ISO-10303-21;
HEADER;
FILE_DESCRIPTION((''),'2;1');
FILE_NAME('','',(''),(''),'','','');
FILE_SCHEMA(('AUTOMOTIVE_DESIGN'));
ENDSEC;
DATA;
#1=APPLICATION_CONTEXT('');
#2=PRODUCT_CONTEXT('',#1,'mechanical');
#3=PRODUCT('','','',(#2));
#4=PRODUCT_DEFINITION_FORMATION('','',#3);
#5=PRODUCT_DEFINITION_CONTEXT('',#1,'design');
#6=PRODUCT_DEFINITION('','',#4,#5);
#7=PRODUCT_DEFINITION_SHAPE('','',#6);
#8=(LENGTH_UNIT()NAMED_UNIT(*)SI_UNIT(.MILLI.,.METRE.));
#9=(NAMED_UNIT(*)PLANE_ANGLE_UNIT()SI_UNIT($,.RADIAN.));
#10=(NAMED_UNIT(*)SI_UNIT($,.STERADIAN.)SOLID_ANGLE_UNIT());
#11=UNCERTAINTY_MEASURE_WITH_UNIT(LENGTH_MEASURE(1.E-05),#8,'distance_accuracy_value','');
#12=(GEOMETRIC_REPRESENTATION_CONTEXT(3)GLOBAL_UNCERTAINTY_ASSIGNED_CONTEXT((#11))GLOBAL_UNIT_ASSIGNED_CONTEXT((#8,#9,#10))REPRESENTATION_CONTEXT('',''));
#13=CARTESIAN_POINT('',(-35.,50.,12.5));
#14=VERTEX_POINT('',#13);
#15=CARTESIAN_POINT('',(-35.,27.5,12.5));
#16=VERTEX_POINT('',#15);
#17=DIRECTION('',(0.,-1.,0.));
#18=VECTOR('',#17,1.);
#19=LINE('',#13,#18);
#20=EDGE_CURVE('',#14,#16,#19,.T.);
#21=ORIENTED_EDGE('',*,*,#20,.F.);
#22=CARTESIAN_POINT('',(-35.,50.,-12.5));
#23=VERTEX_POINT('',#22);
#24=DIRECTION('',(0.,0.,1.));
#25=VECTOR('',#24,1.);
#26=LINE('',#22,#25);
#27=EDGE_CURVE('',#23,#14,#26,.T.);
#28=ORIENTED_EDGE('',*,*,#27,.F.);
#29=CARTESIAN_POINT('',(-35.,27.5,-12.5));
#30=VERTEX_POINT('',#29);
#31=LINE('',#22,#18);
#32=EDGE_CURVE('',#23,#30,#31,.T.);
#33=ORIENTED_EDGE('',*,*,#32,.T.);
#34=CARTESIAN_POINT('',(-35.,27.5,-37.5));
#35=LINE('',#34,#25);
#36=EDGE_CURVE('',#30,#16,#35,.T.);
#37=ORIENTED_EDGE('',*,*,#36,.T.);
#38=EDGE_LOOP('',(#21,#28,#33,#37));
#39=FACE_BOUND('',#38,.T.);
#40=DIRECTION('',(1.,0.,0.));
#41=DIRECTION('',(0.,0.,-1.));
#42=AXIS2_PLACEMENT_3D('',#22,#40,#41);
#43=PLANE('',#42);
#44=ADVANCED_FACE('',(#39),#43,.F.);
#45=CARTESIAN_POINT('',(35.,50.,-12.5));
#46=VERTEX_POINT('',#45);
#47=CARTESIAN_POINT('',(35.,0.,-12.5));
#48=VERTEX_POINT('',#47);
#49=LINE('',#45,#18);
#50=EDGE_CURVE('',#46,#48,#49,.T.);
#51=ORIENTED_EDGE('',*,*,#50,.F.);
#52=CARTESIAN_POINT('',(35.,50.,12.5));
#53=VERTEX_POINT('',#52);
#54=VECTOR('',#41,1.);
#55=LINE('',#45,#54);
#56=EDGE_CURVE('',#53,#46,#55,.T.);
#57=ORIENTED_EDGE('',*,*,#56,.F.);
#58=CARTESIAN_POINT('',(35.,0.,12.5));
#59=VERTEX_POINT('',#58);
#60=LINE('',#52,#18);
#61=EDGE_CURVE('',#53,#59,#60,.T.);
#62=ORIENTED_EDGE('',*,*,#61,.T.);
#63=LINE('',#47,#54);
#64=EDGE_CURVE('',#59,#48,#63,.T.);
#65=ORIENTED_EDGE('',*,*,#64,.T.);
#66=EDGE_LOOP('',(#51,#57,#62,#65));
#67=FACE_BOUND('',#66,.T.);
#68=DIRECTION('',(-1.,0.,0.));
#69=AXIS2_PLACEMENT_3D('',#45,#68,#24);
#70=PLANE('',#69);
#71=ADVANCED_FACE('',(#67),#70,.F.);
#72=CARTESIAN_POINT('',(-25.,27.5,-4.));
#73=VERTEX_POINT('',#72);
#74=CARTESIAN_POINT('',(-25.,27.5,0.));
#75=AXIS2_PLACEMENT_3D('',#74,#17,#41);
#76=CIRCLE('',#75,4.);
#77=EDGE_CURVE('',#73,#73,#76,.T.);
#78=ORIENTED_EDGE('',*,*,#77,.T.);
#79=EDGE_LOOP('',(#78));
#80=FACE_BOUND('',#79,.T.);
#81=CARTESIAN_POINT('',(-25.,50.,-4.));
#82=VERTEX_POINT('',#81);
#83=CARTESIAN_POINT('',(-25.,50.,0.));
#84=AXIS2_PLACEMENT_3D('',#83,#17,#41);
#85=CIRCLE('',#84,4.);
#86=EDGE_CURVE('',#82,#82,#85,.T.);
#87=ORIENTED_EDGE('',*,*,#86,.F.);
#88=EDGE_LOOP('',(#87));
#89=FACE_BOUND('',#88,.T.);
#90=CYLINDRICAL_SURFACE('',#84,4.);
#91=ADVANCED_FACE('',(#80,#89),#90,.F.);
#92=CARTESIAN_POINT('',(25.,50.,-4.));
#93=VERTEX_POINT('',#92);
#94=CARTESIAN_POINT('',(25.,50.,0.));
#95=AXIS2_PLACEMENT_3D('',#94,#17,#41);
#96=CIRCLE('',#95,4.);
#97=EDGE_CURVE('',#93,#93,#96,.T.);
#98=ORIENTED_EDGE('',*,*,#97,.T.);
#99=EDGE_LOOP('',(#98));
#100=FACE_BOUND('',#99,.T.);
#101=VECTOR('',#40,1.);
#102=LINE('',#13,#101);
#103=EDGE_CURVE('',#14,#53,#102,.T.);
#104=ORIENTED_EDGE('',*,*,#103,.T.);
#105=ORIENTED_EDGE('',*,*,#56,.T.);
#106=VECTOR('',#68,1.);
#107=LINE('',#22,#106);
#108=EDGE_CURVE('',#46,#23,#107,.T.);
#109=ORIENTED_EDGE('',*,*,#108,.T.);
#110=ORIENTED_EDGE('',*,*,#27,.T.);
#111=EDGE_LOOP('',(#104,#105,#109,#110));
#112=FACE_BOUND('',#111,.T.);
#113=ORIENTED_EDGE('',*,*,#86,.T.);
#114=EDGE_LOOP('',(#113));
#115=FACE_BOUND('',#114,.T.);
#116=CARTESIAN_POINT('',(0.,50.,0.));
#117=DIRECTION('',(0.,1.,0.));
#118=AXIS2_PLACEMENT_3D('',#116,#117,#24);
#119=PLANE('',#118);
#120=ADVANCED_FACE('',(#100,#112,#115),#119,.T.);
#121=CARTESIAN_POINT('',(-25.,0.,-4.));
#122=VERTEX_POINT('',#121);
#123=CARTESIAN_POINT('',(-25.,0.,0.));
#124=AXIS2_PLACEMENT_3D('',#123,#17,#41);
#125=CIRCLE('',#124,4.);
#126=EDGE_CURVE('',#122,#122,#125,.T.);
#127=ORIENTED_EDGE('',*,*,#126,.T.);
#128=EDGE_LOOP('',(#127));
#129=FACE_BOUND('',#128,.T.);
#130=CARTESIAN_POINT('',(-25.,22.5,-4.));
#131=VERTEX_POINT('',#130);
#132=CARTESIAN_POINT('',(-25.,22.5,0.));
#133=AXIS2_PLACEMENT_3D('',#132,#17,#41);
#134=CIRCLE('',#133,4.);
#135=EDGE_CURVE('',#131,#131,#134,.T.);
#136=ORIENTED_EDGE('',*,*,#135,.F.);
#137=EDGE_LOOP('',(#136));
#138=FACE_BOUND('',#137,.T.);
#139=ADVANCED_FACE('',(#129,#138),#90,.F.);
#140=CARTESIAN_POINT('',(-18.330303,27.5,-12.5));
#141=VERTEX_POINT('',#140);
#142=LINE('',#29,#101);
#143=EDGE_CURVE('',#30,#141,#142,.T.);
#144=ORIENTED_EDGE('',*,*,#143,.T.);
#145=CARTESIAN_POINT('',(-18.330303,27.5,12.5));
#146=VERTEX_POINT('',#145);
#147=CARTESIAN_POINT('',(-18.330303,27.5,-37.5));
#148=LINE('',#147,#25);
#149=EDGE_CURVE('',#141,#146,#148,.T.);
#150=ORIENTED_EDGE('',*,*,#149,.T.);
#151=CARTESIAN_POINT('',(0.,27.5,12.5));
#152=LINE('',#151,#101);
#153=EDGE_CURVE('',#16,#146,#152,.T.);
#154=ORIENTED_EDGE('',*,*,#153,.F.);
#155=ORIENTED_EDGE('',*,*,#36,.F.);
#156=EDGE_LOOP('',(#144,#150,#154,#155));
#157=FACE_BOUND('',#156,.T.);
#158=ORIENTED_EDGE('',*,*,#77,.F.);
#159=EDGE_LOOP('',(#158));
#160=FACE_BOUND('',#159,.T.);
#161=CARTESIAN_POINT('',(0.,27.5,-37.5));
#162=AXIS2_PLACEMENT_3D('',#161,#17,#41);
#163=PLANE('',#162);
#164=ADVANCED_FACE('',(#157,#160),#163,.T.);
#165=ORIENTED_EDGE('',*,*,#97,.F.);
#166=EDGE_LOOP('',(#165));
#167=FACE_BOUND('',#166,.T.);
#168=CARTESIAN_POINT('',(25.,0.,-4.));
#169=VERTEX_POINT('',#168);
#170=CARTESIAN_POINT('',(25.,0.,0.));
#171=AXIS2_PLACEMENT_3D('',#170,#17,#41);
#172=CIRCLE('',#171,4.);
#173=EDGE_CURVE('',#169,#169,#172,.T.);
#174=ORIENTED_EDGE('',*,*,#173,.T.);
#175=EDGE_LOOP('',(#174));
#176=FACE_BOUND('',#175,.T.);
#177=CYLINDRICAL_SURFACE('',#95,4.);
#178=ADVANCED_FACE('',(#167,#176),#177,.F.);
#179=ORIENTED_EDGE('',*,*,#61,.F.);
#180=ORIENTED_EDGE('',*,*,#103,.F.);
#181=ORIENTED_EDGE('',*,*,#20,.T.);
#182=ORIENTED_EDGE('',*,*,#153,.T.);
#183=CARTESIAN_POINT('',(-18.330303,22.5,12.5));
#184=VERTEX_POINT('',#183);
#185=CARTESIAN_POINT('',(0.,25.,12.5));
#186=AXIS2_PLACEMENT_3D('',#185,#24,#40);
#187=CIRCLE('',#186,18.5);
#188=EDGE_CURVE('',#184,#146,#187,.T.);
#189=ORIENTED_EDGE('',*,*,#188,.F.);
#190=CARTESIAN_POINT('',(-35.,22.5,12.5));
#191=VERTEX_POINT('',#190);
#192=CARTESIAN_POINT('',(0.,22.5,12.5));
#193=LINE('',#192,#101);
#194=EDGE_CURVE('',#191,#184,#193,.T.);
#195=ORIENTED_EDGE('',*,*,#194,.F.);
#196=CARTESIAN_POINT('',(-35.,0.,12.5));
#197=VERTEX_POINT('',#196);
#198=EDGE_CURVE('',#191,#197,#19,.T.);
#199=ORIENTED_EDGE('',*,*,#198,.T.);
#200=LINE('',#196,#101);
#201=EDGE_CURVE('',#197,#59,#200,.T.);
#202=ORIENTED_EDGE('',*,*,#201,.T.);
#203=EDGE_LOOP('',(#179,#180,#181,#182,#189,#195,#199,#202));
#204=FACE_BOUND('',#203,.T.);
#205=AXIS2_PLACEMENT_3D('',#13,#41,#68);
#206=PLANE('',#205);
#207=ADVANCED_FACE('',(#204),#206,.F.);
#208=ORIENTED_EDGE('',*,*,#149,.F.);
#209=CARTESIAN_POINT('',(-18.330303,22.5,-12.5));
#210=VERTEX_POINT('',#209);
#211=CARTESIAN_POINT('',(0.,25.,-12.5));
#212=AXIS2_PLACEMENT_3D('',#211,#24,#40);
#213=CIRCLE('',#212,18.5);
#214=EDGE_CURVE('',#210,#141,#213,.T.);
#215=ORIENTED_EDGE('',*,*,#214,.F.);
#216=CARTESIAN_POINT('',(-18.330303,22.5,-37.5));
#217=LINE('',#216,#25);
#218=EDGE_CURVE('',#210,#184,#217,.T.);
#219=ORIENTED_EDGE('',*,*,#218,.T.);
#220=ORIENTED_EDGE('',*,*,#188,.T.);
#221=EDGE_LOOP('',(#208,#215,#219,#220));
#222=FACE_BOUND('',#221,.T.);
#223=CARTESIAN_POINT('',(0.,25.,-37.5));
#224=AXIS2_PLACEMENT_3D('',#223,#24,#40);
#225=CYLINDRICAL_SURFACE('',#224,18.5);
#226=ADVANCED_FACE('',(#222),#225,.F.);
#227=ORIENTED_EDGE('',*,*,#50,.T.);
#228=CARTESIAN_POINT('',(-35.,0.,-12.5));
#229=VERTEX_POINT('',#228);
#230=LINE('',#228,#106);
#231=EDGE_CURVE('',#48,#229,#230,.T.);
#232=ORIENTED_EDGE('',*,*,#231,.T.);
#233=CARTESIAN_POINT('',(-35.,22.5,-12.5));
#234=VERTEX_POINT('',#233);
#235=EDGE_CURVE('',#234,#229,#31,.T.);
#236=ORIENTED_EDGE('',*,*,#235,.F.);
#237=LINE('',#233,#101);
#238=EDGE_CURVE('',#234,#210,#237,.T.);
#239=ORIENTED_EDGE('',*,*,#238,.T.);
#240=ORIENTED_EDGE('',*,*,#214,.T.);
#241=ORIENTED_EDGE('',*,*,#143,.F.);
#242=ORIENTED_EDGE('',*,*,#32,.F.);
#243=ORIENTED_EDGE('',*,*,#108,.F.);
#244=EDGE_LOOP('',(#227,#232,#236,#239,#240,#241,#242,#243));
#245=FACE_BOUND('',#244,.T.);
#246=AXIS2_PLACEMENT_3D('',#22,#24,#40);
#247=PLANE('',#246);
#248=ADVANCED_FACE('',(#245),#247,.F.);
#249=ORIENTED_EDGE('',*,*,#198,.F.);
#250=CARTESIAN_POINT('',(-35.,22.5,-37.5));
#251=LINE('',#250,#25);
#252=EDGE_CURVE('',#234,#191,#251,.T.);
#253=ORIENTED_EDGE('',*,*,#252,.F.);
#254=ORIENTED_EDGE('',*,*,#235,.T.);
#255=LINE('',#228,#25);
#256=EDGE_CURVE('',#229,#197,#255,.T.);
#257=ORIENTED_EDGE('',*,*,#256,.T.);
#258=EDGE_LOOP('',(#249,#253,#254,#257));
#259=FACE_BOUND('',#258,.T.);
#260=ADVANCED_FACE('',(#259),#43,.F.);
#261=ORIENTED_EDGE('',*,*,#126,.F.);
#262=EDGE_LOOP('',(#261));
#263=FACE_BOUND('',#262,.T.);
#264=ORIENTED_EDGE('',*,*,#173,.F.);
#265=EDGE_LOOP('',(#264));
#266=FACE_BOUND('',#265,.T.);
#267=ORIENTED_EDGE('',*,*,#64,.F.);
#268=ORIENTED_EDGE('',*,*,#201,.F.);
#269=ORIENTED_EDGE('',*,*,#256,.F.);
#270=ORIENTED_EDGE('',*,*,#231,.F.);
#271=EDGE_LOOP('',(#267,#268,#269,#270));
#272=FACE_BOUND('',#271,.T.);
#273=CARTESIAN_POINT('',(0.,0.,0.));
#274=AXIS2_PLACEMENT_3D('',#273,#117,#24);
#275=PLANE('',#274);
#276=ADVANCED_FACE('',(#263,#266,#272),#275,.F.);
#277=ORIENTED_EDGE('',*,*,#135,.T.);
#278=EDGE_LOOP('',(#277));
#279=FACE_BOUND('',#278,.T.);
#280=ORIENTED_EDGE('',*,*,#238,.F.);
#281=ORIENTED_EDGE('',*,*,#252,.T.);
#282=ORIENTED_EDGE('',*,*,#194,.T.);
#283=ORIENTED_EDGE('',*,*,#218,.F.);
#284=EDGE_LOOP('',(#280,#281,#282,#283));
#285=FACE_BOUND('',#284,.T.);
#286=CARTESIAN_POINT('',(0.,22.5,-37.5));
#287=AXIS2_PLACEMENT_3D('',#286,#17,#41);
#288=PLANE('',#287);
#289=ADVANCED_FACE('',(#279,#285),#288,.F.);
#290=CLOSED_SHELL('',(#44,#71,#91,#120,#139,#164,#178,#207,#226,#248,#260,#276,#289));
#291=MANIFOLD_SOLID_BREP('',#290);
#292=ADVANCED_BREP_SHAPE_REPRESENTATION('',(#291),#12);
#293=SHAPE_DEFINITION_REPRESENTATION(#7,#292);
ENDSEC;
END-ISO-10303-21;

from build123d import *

# Parameters (mm, degrees)
SKIZZE1_W                       = 70
SKIZZE1_H                       = 25
AUFSATZ_LINEAR_AUSTRAGEN1_DEPTH = 50
SCHNITT_LINEAR_AUSTRAGEN1_DEPTH = 50
SKIZZE3_R                       = 4
SCHNITT_LINEAR_AUSTRAGEN2_DEPTH = 63.299678972


with BuildPart() as part:
    # Skizze1 → Aufsatz-Linear austragen1 (new body)
    with BuildSketch(Plane(origin=(0, 0, 0), x_dir=(1, 0, 0), z_dir=(0, 1, 0))):
        Rectangle(SKIZZE1_W, SKIZZE1_H)
    extrude(amount=AUFSATZ_LINEAR_AUSTRAGEN1_DEPTH)

    # Skizze2 → Schnitt-Linear austragen1 (cut)
    with BuildSketch(Plane.XY.offset(12.5)):
        with BuildLine():
            ThreePointArc((18.5, 25), (1.252876405, 43.457526939), (-18.33030278, 27.5))
            Line((-18.33030278, 27.5), (0, 27.5))
            Line((0, 27.5), (0, 22.5))
            Line((0, 22.5), (-18.33030278, 22.5))
            ThreePointArc((-18.33030278, 22.5), (1.252876405, 6.542473061), (18.5, 25))
        make_face()
        with BuildLine():
            Line((0, 27.5), (-18.33030278, 27.5))
            ThreePointArc((-18.33030278, 27.5), (-18.5, 25), (-18.33030278, 22.5))
            Line((-18.33030278, 22.5), (0, 22.5))
            Line((0, 22.5), (0, 27.5))
        make_face()
        with BuildLine():
            Line((-18.33030278, 27.5), (-35, 27.5))
            Line((-35, 27.5), (-35, 22.5))
            Line((-35, 22.5), (-18.33030278, 22.5))
            ThreePointArc((-18.33030278, 22.5), (-18.5, 25), (-18.33030278, 27.5))
        make_face()
    extrude(amount=-SCHNITT_LINEAR_AUSTRAGEN1_DEPTH, mode=Mode.SUBTRACT)

    # Skizze3 → Schnitt-Linear austragen2 (cut, through all)
    with BuildSketch(Plane.XZ):
        with Locations(Location((-25, 0, 0), (0, 0, 270))):
            Circle(SKIZZE3_R)
        with Locations(Location((25, 0, 0), (0, 0, 270))):
            Circle(SKIZZE3_R)
    extrude(amount=-SCHNITT_LINEAR_AUSTRAGEN2_DEPTH, mode=Mode.SUBTRACT)


solid = part.part
